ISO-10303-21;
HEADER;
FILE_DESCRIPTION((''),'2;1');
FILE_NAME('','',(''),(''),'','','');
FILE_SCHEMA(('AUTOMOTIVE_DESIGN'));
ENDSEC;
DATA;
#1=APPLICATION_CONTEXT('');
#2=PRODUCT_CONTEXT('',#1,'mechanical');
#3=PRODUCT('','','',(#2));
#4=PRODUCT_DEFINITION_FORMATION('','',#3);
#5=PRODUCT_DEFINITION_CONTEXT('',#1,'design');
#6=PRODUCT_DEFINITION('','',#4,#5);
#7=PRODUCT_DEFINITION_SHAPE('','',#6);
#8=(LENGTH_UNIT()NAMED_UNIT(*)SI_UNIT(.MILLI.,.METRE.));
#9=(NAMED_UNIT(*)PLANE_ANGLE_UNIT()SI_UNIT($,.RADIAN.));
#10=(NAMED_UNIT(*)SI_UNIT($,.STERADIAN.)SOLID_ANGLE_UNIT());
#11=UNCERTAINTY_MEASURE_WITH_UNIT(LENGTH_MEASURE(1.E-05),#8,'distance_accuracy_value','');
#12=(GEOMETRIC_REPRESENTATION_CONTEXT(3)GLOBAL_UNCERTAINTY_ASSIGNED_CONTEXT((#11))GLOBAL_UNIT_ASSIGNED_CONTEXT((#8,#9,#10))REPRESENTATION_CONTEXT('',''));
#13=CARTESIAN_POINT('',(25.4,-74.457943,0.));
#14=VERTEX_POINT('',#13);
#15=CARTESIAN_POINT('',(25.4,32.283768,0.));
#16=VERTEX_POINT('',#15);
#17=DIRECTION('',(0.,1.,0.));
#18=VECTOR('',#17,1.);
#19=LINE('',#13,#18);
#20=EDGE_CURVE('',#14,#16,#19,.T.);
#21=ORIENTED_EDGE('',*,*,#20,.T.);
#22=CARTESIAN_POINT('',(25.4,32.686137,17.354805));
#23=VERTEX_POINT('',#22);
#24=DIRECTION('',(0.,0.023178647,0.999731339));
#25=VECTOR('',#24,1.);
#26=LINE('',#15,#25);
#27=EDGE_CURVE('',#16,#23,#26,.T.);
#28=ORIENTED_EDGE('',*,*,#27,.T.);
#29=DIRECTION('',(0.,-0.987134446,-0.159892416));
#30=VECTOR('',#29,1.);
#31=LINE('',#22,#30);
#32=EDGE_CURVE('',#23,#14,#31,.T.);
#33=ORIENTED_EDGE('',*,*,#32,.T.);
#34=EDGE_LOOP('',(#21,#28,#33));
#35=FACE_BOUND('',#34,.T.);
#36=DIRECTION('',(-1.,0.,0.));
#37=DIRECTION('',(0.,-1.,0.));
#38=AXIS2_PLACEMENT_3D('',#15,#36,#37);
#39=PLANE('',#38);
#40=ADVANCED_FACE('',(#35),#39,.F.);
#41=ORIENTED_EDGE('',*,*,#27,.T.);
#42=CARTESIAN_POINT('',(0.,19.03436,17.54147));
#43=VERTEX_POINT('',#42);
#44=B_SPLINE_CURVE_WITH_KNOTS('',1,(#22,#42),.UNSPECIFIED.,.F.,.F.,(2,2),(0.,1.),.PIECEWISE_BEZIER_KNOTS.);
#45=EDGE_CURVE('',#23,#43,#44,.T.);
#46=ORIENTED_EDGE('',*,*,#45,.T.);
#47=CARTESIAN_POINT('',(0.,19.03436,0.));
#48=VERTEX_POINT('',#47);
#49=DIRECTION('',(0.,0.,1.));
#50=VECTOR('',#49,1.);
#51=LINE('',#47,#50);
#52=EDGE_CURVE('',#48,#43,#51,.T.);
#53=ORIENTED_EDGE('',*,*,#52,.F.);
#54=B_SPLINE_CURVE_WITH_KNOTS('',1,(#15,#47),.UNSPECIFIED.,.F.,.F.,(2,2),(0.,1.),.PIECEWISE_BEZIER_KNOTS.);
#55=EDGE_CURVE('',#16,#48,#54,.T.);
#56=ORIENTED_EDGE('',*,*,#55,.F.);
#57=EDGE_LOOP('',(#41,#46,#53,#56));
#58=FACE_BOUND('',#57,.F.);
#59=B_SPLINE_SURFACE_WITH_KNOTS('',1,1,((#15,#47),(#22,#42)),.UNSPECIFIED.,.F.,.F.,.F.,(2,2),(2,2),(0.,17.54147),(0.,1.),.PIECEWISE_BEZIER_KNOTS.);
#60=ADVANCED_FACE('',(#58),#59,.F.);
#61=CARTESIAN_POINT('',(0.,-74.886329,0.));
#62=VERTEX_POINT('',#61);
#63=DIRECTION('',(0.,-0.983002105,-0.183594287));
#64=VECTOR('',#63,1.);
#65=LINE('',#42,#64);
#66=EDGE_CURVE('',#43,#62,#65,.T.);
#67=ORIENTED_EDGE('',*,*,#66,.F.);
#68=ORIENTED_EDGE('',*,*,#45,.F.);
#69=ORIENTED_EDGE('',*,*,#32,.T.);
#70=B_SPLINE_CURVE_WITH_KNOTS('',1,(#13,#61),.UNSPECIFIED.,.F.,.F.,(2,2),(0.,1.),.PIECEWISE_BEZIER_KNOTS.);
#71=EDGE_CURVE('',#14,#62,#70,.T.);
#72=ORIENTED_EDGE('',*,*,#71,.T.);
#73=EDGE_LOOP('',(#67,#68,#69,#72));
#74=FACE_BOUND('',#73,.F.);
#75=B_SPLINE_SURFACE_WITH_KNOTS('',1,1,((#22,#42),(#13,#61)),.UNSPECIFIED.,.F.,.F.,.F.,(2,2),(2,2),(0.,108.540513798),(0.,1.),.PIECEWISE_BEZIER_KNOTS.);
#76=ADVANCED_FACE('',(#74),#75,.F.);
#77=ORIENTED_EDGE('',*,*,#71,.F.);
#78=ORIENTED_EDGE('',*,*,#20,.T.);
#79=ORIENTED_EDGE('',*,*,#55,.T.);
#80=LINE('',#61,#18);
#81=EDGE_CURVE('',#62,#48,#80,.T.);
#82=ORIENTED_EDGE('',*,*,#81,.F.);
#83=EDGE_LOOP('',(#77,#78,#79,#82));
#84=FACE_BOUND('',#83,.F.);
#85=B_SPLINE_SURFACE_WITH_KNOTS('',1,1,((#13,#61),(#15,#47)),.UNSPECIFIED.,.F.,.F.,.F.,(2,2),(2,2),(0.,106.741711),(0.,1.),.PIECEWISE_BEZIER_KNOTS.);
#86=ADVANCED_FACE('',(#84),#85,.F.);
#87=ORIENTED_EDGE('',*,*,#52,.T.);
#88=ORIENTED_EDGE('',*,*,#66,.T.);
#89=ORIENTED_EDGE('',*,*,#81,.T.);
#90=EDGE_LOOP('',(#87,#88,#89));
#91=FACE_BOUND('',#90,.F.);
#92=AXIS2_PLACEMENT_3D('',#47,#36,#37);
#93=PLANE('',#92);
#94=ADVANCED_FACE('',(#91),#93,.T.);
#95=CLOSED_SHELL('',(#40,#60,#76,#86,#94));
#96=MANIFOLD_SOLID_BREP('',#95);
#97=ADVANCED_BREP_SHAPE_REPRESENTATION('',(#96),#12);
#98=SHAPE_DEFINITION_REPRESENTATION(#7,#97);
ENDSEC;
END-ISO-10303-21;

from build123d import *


with BuildPart() as f3:
    # F2 (on offset) → F3 section 0
    with BuildSketch(Plane.YZ.offset(25.4)):
        Polygon((32.283768, 0), (32.686137, 17.354805), (-74.457943, 0), align=None)
    # F0 (on Right) → F3 section 1
    with BuildSketch(Plane.YZ):
        Polygon((19.03436, 0), (19.03436, 17.54147), (-74.886329, 0), align=None)
    loft()


solid = f3.part
